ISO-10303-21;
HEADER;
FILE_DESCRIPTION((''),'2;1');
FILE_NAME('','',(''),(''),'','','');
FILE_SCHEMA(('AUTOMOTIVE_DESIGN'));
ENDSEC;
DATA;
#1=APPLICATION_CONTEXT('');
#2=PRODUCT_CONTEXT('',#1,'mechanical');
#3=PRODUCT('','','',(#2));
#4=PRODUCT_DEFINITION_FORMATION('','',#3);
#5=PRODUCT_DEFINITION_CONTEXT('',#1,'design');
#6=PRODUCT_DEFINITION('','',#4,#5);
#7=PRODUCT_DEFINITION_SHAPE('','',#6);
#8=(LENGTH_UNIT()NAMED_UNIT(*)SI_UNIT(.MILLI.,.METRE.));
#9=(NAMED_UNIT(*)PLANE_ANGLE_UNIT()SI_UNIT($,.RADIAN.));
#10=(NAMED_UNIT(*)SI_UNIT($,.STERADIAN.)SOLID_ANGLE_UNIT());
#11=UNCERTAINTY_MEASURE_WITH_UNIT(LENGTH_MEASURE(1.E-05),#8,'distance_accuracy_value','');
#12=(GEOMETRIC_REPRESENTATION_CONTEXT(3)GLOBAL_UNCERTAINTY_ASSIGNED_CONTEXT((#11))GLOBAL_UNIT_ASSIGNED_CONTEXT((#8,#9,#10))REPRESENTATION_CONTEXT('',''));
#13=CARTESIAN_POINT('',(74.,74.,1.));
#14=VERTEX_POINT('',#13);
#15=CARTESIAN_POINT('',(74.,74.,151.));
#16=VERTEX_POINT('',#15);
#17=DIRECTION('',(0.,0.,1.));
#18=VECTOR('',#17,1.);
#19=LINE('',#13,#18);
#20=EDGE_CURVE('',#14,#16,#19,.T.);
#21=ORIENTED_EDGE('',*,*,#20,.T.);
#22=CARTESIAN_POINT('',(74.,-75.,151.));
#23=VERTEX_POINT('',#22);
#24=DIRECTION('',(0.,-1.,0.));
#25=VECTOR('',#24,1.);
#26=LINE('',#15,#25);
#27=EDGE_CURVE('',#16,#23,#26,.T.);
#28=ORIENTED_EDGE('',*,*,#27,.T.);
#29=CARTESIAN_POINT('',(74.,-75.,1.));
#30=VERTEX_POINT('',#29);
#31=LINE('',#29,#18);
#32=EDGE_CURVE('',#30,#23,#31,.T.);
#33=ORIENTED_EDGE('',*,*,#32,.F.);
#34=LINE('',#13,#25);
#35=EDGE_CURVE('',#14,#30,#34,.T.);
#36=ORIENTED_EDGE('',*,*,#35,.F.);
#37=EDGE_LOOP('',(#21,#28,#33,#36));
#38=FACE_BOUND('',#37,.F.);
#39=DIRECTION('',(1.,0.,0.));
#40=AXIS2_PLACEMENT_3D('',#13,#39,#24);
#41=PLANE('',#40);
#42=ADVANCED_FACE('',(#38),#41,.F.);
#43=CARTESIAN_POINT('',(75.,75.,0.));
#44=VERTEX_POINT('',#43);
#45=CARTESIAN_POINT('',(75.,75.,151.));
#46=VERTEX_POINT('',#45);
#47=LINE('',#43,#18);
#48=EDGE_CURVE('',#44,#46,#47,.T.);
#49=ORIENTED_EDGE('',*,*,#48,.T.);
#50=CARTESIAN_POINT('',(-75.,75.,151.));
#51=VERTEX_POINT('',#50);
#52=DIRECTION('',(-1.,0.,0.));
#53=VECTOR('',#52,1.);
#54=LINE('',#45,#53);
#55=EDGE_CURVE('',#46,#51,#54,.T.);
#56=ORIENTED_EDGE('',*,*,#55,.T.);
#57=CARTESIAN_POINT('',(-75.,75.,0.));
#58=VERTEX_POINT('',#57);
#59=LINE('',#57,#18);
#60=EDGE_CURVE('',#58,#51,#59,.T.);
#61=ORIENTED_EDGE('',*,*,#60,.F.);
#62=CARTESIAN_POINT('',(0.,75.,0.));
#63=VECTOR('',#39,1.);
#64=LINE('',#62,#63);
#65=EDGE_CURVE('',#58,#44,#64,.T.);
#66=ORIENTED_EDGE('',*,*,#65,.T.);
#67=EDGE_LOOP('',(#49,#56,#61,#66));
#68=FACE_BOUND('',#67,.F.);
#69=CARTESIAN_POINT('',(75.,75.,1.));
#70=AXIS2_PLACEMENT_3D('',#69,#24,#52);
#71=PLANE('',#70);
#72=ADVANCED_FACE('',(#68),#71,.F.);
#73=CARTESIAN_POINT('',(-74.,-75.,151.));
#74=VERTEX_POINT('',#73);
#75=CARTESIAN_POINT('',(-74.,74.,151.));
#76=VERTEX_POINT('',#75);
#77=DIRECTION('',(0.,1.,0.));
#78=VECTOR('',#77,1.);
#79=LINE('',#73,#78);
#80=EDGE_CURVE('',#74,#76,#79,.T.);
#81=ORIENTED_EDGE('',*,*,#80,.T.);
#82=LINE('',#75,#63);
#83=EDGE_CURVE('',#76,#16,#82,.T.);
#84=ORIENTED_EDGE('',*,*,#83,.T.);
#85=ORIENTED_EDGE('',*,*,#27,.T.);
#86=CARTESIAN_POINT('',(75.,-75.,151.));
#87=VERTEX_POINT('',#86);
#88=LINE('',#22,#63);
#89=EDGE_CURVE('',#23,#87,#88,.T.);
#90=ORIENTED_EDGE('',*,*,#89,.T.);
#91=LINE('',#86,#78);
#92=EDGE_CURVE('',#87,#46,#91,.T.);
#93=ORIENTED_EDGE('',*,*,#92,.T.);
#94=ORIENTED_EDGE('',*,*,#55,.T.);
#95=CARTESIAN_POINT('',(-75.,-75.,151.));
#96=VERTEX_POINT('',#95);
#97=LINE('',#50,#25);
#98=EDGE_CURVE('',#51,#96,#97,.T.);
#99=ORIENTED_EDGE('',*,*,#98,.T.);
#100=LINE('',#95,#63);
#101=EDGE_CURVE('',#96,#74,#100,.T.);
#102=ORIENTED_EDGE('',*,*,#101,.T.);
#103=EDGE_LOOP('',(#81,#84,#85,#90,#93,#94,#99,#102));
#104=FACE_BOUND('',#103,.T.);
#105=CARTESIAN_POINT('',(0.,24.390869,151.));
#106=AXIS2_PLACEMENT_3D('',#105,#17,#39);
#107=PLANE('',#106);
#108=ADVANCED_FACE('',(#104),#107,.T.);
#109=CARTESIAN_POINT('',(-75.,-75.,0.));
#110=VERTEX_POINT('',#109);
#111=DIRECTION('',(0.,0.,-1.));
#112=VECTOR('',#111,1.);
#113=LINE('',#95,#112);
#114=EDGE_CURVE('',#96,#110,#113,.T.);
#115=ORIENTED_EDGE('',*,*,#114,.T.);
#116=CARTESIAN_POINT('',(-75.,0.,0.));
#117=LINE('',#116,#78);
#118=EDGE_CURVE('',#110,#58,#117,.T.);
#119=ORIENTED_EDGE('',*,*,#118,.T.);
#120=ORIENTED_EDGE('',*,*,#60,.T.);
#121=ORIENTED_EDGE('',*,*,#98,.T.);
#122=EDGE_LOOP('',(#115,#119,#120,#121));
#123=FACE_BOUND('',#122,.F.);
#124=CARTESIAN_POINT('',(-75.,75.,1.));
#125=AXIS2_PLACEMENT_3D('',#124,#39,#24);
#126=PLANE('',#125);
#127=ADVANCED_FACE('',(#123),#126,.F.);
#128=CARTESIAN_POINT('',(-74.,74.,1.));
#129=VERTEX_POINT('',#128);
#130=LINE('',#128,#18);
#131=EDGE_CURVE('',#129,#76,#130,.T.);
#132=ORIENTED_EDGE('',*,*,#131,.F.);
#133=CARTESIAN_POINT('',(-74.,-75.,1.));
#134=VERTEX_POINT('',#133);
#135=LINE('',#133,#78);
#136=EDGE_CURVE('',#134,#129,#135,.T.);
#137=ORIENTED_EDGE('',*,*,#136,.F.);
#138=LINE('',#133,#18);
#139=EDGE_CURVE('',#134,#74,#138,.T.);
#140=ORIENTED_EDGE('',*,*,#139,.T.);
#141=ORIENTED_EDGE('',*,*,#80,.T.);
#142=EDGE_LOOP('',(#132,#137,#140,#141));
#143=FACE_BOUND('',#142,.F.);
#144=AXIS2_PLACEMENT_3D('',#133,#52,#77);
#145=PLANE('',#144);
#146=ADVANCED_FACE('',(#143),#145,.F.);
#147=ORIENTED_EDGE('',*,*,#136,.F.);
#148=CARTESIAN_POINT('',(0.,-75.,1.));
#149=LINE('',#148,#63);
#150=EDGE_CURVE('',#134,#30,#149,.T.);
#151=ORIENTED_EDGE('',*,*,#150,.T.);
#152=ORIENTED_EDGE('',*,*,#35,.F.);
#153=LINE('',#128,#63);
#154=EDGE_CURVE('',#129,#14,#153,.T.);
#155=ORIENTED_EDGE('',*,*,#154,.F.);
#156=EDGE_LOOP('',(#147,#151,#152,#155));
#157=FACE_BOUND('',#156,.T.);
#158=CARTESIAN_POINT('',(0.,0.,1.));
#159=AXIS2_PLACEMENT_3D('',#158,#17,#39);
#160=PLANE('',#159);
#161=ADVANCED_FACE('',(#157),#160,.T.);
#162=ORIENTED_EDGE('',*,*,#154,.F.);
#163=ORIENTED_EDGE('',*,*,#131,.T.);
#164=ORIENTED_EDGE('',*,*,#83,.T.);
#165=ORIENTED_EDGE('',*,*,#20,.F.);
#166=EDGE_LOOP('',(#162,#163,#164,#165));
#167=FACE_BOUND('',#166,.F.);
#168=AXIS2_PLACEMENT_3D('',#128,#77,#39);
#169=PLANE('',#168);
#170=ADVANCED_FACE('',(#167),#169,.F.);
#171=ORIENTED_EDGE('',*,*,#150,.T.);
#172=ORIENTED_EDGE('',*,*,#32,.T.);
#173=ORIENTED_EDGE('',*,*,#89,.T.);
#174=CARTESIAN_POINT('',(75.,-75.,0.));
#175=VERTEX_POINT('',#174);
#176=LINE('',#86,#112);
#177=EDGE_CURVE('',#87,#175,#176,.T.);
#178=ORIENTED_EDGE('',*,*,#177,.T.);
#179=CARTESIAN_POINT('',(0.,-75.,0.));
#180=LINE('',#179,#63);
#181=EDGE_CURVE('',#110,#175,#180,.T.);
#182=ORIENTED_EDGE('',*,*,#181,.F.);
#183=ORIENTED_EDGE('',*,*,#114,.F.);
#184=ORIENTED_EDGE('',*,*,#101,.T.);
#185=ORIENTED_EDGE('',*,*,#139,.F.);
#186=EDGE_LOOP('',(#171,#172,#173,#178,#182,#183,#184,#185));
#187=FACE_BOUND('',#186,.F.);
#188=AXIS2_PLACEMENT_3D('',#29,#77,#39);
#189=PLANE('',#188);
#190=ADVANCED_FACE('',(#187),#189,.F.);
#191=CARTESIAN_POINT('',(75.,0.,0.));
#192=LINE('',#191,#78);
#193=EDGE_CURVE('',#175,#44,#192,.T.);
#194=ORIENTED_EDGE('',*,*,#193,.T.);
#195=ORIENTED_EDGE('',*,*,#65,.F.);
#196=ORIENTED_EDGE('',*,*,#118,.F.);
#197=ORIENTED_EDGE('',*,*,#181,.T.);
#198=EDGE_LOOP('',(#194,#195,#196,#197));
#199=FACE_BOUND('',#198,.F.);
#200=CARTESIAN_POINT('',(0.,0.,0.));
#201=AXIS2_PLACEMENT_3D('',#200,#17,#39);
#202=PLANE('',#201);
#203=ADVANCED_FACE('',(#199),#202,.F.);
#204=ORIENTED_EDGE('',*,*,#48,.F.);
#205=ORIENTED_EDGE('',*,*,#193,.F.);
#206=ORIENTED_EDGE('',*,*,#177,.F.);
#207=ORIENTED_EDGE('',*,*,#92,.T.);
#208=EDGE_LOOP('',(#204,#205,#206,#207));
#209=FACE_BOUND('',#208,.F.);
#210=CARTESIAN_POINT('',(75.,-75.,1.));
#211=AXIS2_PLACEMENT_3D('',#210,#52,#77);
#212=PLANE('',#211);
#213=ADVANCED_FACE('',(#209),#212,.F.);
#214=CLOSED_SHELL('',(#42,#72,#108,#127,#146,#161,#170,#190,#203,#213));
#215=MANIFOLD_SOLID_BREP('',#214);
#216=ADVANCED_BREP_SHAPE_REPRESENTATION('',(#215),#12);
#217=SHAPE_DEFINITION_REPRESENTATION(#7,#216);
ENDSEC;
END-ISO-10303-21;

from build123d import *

# Parameters (mm, degrees)
F0_W     = 150
F0_H     = 150
F1_DEPTH = 1
F3_DEPTH = 150


with BuildPart() as f1:
    # F0 (on Top) → F1 (new body)
    with BuildSketch(Plane.XY):
        Rectangle(F0_W, F0_H)
    extrude(amount=F1_DEPTH)

    # F2 (on face) → F3 (join)
    with BuildSketch(Plane.XY.offset(1)):
        Polygon((75, -75), (75, 75), (-75, 75), (-75, -75), (-74, -75), (-74, 74), (74, 74), (74, -75), align=None)
    extrude(amount=F3_DEPTH)


solid = f1.part
